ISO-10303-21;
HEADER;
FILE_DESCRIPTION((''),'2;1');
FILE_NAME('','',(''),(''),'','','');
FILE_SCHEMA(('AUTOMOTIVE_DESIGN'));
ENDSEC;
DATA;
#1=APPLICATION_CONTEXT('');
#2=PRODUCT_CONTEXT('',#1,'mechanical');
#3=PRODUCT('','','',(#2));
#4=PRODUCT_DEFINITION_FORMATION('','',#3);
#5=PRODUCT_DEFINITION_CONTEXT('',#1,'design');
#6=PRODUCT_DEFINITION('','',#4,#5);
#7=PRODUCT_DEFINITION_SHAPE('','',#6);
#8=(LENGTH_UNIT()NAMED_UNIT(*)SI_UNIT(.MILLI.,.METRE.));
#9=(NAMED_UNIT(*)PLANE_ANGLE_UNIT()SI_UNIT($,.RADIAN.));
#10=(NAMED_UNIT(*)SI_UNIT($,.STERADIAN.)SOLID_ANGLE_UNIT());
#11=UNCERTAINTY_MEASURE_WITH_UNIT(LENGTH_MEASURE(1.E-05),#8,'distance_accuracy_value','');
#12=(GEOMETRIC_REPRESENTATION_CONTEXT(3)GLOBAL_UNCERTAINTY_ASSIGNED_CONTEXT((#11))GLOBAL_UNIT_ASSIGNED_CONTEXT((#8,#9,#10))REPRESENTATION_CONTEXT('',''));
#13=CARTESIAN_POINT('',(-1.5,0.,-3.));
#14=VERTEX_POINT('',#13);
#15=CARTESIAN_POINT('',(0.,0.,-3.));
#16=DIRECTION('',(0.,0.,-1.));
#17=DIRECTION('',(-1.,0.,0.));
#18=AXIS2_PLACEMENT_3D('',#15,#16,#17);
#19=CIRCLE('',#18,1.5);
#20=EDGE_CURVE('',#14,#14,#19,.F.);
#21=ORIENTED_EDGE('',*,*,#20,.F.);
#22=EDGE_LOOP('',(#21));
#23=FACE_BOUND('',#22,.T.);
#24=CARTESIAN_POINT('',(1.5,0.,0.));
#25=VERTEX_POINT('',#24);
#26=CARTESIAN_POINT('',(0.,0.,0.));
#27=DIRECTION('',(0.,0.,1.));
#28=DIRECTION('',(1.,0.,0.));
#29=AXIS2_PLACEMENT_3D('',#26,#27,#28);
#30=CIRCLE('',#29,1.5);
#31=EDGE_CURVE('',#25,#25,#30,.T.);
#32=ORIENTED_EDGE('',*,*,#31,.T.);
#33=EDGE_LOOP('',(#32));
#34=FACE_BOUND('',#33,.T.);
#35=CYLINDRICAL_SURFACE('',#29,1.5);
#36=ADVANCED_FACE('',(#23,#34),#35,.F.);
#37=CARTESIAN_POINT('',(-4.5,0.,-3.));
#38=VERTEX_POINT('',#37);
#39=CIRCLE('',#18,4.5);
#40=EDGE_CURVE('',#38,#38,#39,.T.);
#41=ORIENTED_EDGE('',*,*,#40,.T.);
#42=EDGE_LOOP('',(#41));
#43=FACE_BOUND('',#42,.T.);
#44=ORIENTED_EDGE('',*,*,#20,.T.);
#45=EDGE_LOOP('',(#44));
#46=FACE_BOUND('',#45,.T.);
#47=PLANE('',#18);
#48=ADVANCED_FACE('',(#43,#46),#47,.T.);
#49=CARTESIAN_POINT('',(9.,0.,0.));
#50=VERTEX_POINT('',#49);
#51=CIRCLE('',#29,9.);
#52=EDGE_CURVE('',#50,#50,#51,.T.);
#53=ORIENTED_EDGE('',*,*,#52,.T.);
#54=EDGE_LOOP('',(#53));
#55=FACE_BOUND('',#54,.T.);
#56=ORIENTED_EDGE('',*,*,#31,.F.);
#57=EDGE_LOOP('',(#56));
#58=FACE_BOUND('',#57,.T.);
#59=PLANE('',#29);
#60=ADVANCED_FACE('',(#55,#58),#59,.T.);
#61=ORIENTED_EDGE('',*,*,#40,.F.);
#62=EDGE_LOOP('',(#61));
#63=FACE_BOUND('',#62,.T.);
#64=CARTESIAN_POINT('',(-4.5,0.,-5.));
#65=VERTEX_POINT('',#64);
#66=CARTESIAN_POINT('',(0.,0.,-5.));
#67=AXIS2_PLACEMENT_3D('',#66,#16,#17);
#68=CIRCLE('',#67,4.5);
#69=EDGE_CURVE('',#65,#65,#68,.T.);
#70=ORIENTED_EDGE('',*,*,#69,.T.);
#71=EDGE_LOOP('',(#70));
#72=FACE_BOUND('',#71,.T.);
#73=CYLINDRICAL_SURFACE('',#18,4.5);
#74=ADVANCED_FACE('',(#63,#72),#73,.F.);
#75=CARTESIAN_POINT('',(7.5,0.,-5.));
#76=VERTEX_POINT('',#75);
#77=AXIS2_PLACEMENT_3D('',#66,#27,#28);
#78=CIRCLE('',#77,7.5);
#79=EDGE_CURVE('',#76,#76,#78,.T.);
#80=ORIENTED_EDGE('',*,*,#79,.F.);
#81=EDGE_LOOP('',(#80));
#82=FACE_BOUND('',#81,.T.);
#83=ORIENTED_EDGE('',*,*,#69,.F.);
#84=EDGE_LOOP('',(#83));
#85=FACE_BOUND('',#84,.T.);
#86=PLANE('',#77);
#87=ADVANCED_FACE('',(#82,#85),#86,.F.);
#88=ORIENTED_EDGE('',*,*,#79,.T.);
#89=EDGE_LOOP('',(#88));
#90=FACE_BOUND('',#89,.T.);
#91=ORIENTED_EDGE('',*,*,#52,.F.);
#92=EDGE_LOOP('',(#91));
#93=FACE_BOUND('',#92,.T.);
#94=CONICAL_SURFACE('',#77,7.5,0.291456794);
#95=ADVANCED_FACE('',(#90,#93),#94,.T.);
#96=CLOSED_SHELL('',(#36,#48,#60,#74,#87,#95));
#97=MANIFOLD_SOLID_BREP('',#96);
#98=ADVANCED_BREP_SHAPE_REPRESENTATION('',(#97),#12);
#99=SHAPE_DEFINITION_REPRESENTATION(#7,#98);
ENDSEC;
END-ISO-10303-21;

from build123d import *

# Parameters (mm, degrees)
SKETCH2_R          = 4.5
CUT_EXTRUDE1_DEPTH = 2


with BuildPart() as part:
    # Sketch1 → Revolve1 (revolve)
    with BuildSketch(Plane(origin=(0, 0, 0), x_dir=(1, 0, 0), z_dir=(0, 1, 0))):
        Polygon((1.5, 5), (1.5, 0), (9, 0), (7.5, 5), align=None)
    revolve(axis=Axis((0, 0, 0), (0, 0, -1)))

    # Sketch2 → Cut-Extrude1 (cut)
    with BuildSketch(Plane(origin=(0, 0, -5), x_dir=(-1, 0, 0), z_dir=(0, 0, -1))):
        Circle(SKETCH2_R)
    extrude(amount=-CUT_EXTRUDE1_DEPTH, mode=Mode.SUBTRACT)


solid = part.part
